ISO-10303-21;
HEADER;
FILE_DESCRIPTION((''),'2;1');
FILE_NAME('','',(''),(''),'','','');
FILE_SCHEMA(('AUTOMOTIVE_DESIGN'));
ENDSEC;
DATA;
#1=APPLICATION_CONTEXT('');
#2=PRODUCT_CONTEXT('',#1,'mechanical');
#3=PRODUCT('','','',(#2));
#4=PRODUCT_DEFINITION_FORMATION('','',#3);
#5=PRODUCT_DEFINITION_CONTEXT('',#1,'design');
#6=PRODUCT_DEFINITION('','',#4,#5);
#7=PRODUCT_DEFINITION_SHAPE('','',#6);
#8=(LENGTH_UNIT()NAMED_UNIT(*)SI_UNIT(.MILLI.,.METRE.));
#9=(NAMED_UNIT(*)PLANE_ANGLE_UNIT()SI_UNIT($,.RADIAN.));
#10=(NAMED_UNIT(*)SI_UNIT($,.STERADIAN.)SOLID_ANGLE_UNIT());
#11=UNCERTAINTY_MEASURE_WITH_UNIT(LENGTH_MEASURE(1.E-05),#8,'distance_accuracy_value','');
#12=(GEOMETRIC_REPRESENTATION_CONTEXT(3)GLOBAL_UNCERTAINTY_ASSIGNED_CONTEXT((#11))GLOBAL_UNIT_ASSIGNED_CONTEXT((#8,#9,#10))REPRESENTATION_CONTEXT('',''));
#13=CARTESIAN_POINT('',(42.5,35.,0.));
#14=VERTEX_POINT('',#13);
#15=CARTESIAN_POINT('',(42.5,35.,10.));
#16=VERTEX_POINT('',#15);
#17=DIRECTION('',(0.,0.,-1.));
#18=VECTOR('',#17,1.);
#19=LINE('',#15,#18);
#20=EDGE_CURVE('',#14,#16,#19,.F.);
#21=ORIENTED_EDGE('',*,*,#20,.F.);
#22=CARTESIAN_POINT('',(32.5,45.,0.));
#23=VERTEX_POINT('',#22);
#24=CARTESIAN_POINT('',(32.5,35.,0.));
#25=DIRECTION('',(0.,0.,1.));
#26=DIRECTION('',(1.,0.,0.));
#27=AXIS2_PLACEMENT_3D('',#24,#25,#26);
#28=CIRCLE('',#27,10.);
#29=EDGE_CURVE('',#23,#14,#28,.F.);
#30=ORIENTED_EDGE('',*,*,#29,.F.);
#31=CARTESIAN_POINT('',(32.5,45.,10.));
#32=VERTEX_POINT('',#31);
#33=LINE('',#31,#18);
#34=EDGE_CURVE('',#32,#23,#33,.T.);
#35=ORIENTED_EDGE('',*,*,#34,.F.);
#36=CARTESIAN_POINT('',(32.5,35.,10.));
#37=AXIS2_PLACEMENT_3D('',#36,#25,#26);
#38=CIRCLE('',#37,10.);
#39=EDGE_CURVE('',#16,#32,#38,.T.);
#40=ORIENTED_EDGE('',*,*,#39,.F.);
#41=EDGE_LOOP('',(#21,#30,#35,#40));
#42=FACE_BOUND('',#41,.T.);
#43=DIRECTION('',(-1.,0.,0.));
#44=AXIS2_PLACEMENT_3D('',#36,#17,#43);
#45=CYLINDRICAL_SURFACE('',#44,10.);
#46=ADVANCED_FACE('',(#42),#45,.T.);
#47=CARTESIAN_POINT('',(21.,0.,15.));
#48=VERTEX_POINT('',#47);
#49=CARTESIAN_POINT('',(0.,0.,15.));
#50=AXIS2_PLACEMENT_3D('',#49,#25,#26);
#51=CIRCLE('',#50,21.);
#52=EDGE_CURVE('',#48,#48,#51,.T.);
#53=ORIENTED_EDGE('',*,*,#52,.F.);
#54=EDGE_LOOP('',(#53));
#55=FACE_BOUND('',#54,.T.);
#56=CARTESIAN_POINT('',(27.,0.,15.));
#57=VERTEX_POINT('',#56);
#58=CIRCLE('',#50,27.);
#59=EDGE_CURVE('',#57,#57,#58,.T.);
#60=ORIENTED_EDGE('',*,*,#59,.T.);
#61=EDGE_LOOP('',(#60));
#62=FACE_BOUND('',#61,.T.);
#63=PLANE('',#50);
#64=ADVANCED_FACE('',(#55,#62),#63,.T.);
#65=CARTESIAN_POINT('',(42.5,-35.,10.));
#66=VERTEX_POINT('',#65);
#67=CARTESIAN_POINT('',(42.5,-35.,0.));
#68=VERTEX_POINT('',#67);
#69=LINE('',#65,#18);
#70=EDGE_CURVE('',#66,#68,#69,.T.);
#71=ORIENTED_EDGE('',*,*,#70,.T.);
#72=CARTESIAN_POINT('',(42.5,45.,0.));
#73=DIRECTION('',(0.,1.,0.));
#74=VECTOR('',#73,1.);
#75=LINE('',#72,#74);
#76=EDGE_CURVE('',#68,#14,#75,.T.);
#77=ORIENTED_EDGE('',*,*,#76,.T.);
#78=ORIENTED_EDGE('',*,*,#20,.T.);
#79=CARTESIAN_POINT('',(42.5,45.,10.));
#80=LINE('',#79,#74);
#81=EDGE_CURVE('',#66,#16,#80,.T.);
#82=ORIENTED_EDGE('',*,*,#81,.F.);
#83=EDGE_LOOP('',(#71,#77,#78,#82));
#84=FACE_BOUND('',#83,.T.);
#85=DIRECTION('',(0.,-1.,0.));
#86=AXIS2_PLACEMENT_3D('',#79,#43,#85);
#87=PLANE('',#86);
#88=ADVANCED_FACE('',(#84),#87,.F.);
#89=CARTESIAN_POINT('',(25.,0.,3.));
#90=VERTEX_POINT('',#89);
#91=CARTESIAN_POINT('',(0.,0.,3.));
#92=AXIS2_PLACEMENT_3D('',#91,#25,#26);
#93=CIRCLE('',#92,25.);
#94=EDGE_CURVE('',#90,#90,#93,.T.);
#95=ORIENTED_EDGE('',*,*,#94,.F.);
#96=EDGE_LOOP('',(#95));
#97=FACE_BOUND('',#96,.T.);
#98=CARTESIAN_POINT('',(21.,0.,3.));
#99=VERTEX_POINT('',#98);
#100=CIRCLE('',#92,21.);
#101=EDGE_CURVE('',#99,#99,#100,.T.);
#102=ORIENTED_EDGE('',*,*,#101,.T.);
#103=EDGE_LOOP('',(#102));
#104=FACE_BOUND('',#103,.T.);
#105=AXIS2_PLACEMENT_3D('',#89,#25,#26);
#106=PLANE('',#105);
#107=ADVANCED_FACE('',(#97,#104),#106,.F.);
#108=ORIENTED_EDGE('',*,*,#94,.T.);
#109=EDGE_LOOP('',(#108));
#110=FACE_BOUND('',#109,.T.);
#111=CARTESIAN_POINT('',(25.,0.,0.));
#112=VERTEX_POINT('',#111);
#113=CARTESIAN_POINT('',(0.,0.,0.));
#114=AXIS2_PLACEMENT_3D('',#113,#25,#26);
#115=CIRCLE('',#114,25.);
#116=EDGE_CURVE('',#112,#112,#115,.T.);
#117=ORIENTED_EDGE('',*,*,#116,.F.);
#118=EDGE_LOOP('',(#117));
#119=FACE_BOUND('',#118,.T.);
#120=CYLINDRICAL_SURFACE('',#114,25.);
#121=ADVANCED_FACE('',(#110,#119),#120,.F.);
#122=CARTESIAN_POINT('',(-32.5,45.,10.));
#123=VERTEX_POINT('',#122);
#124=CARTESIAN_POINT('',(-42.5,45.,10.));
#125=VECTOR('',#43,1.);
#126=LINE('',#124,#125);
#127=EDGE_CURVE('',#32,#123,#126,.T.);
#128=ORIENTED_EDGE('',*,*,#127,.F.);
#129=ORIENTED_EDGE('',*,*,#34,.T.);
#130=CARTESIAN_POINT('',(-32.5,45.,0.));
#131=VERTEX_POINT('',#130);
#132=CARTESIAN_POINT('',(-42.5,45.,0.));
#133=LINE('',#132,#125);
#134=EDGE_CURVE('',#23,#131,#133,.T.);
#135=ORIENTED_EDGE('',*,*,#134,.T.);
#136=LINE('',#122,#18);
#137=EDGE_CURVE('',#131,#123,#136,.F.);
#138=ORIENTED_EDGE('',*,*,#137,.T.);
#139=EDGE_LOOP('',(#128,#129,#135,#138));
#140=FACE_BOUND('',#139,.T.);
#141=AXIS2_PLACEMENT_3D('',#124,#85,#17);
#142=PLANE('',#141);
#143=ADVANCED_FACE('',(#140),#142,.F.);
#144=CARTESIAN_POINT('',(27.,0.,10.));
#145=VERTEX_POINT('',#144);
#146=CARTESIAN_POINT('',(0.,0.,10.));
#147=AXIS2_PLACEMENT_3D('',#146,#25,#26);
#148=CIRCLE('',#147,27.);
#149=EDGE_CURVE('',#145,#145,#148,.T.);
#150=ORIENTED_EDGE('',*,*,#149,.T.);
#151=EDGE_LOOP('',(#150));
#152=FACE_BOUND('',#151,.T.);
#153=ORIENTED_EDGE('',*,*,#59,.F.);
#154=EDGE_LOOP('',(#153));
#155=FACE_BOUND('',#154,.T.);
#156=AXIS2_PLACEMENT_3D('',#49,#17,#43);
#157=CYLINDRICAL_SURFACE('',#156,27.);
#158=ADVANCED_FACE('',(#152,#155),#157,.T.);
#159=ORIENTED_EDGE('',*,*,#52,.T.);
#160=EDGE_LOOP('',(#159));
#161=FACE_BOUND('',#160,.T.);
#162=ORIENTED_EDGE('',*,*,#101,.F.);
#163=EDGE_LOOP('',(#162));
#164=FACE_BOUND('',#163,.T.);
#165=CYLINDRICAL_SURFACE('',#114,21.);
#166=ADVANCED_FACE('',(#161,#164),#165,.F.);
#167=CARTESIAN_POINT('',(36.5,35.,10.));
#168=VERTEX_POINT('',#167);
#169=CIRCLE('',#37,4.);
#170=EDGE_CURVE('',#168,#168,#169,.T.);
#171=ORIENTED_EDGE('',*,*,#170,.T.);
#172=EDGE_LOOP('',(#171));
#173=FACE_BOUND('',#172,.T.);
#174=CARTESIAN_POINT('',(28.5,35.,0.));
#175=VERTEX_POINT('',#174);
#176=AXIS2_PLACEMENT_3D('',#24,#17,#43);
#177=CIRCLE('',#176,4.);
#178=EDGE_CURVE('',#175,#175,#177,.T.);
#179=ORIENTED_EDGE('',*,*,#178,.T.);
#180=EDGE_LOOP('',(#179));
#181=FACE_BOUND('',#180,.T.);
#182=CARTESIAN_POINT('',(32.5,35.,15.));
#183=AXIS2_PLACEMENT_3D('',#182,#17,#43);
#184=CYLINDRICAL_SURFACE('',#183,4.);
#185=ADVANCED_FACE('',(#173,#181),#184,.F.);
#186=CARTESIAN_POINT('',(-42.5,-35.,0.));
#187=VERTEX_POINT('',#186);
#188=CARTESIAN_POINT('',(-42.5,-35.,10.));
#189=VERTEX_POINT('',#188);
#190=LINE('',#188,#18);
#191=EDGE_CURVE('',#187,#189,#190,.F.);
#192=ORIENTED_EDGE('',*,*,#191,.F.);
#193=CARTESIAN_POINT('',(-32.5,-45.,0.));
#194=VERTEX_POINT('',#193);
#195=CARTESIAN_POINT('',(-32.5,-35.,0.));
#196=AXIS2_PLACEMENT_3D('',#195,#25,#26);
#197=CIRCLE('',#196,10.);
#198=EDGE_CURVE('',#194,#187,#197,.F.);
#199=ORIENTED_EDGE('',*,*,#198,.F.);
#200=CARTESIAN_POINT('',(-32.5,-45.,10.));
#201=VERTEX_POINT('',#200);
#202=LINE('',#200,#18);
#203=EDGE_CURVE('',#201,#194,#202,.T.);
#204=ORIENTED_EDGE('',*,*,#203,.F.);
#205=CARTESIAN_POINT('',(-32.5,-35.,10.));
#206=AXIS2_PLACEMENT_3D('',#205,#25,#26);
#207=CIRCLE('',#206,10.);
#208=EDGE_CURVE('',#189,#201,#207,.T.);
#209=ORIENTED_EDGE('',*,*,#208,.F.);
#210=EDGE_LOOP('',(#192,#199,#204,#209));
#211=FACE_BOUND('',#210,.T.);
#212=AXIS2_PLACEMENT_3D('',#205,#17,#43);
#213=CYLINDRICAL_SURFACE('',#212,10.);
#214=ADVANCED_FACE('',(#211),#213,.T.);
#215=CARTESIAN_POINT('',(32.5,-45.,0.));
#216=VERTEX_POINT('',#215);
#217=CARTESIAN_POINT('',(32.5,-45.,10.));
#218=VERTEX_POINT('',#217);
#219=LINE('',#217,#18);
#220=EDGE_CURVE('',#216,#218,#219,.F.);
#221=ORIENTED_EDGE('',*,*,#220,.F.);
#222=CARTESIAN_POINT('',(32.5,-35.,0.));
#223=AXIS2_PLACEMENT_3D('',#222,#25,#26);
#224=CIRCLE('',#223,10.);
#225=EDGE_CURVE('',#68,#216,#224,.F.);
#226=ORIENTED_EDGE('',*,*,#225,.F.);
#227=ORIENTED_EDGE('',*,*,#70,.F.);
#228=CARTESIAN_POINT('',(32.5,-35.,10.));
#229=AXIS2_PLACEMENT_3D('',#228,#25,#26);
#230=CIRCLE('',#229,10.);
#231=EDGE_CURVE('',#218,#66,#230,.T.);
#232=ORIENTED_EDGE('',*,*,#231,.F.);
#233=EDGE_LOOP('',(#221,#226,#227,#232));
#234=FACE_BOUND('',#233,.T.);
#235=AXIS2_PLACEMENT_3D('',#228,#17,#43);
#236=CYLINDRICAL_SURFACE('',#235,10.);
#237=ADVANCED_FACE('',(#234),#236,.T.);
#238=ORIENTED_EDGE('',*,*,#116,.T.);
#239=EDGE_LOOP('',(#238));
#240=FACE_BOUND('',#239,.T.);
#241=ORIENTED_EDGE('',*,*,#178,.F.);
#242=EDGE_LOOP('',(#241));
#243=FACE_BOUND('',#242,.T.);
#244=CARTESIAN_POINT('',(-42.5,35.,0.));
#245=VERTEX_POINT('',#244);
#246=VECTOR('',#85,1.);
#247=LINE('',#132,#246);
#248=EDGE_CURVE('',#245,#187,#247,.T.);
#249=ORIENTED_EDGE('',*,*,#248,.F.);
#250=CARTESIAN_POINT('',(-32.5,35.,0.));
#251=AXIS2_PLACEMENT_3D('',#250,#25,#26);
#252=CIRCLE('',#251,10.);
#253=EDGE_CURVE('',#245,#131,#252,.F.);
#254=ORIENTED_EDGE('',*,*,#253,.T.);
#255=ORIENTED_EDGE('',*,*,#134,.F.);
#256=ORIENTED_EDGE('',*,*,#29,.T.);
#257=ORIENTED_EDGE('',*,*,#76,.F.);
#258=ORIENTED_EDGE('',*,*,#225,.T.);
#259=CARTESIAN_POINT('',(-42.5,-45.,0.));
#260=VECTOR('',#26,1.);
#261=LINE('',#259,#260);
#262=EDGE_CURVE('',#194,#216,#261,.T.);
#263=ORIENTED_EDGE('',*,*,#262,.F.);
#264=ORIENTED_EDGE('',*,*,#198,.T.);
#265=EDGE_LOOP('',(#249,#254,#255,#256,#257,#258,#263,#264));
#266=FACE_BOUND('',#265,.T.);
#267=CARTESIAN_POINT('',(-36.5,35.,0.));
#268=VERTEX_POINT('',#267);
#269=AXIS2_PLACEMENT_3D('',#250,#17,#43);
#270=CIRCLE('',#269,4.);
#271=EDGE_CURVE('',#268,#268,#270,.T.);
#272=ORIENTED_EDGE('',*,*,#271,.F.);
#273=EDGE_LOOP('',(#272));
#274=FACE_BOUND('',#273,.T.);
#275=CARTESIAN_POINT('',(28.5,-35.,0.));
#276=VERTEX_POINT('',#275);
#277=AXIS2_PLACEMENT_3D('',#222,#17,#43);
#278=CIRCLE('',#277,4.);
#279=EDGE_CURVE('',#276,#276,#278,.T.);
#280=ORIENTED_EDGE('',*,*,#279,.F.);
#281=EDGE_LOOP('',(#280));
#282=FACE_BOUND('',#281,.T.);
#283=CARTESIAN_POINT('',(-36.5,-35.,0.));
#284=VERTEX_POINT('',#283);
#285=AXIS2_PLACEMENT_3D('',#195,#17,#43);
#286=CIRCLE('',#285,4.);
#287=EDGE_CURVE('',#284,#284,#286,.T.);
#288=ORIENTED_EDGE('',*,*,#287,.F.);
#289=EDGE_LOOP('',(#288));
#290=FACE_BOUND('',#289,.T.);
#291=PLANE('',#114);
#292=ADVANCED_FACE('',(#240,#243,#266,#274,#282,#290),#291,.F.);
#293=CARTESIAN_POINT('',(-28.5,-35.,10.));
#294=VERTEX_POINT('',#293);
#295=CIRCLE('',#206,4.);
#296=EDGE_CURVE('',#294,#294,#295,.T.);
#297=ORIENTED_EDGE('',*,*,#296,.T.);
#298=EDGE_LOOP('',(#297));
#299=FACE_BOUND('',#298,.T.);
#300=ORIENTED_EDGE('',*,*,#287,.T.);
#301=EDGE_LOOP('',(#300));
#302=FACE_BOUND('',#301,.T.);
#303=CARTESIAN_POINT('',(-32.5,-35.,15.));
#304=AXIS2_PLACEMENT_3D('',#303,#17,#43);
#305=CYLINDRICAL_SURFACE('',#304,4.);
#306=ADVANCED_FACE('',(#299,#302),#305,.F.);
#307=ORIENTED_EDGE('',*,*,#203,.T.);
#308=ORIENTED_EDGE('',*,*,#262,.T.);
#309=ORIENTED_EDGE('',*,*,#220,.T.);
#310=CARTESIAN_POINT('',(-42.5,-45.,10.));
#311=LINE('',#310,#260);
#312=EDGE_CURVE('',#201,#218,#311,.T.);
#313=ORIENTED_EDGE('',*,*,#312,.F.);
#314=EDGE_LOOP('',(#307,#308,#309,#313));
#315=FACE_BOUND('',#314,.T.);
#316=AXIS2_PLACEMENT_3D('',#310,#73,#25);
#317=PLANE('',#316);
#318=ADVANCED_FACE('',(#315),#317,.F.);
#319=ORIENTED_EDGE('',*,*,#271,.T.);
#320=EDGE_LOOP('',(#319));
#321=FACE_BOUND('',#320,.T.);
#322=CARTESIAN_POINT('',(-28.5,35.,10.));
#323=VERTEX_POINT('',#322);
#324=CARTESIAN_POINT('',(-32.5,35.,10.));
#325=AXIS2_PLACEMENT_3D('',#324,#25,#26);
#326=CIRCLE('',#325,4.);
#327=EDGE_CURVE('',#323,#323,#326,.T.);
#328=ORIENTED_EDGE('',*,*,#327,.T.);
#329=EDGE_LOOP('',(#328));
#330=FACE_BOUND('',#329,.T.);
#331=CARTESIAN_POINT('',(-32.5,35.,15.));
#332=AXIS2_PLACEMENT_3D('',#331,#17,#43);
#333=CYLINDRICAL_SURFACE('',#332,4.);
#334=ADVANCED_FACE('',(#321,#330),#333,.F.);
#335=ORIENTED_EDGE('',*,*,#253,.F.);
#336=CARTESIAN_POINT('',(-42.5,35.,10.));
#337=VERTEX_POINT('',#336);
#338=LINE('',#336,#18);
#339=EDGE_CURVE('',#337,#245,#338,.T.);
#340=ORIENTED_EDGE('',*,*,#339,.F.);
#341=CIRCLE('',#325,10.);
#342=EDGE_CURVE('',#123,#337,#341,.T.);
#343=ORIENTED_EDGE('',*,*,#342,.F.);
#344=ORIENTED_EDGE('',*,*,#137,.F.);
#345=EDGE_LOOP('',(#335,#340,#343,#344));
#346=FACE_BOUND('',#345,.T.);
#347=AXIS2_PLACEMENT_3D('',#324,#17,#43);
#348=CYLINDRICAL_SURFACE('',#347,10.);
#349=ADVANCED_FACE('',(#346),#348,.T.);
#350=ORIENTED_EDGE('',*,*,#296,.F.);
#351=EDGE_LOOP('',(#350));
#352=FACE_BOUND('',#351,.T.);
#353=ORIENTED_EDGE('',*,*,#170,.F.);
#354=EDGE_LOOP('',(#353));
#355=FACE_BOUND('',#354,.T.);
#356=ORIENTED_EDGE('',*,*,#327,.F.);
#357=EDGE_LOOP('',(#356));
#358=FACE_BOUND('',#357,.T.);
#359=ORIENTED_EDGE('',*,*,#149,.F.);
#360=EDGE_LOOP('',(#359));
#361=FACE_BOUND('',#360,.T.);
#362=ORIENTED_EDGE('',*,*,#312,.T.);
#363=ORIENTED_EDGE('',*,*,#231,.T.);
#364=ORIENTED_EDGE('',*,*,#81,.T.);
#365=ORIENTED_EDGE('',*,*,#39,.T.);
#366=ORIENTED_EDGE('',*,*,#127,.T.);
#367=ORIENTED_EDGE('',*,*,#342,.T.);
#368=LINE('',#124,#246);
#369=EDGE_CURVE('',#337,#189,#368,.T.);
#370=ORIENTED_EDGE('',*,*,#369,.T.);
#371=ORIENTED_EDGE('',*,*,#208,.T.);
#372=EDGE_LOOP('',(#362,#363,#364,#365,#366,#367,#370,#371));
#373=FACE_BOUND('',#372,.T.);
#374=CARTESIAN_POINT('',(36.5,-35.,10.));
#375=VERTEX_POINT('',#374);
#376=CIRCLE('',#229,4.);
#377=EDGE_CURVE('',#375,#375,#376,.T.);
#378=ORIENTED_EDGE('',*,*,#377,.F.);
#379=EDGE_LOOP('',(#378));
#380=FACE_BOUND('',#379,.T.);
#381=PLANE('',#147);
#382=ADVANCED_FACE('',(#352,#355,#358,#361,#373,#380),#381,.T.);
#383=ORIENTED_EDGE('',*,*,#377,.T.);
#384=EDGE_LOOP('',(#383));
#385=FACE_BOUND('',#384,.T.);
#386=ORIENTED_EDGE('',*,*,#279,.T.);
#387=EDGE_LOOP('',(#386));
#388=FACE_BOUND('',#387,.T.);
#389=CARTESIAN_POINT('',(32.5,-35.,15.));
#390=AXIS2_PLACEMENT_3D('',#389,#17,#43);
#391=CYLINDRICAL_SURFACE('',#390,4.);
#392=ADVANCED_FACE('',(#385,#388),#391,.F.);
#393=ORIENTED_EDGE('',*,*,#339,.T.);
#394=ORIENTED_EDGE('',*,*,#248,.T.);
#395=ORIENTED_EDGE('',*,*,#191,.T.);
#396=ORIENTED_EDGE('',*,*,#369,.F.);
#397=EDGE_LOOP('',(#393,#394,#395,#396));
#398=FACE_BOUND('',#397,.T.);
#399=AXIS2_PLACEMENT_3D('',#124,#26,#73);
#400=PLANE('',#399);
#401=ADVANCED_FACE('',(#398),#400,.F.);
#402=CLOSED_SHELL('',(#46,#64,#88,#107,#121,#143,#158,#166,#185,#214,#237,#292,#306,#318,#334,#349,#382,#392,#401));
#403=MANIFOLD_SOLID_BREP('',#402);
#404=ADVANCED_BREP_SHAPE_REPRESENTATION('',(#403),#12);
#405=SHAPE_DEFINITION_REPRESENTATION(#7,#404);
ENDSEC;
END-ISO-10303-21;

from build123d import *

# Parameters (mm, degrees)
SZKIC1_W                                             = 85
SZKIC1_H                                             = 90
DODANIE_WYCI_GNI_CIE1_DEPTH                          = 10
DODANIE_WYCI_GNI_CIE2_START                          = 5
SZKIC9_R                                             = 27
SZKIC9_R_2                                           = 21
DODANIE_WYCI_GNI_CIE2_DEPTH                          = 5
ZAOKR_GLENIE1_R                                      = 10
POG_BIENIE_STO_KOWE_POD_M6_WKR_T_USTALAJ_D           = 6.4
POG_BIENIE_STO_KOWE_POD_M6_WKR_T_USTALAJ_DEPTH       = 26
POG_BIENIE_STO_KOWE_POD_M6_WKR_T_USTALAJ_CSINK_D     = 13.44
POG_BIENIE_STO_KOWE_POD_M6_WKR_T_USTALAJ_CSINK_ANGLE = 90
POG_BIENIE_STO_KOWE_POD_M6_WKR_T_USTALAJ_TIP         = 1.922753981
SZKIC12_R                                            = 4
WYTNIJ_WYCI_GNI_CIE2_DEPTH                           = 64.688696014


with BuildPart() as part:
    # Szkic1 → Dodanie-wyciągnięcie1 (new body)
    with BuildSketch(Plane.XY):
        Rectangle(SZKIC1_W, SZKIC1_H)
    extrude(amount=DODANIE_WYCI_GNI_CIE1_DEPTH)

    # Szkic2 → Wycięcie-obrót1 (revolve, cut)
    with BuildSketch(Plane(origin=(0, 0, 0), x_dir=(1, 0, 0), z_dir=(0, 1, 0))):
        Polygon((0, 0), (25, 0), (25, -3), (21, -3), (21, -10), (0, -10), align=None)
    revolve(axis=Axis((0, 0, 0), (0, 0, -1)), mode=Mode.SUBTRACT)

    # Szkic9 → Dodanie-wyciągnięcie2 (add)
    with BuildSketch(Plane.XY.offset(10).offset(DODANIE_WYCI_GNI_CIE2_START)):
        Circle(SZKIC9_R)
        Circle(SZKIC9_R_2, mode=Mode.SUBTRACT)
    extrude(amount=-DODANIE_WYCI_GNI_CIE2_DEPTH)

    # Zaokrąglenie1
    zaokr_glenie1_edges = [part.edges().sort_by_distance(p)[0] for p in [
        (42.5, -45, 5),
        (-42.5, -45, 5),
        (-42.5, 45, 5),
        (42.5, 45, 5),
    ]]
    fillet(zaokr_glenie1_edges, radius=ZAOKR_GLENIE1_R)

    # Pogłębienie stożkowe pod M6 Wkręt ustalający1
    with Locations(Plane(origin=(267.5, 155, -16), x_dir=(1, 0, 0), z_dir=(0, 0, -1))):
        with Locations((-235, 190), (-235, 120), (-300, 120), (-300, 190)):
            CounterSinkHole(POG_BIENIE_STO_KOWE_POD_M6_WKR_T_USTALAJ_D / 2, POG_BIENIE_STO_KOWE_POD_M6_WKR_T_USTALAJ_CSINK_D / 2, depth=POG_BIENIE_STO_KOWE_POD_M6_WKR_T_USTALAJ_DEPTH, counter_sink_angle=POG_BIENIE_STO_KOWE_POD_M6_WKR_T_USTALAJ_CSINK_ANGLE)
            with Locations((0, 0, -(POG_BIENIE_STO_KOWE_POD_M6_WKR_T_USTALAJ_DEPTH + POG_BIENIE_STO_KOWE_POD_M6_WKR_T_USTALAJ_TIP / 2))):  # 118° drill point
                Cone(0, POG_BIENIE_STO_KOWE_POD_M6_WKR_T_USTALAJ_D / 2, POG_BIENIE_STO_KOWE_POD_M6_WKR_T_USTALAJ_TIP, mode=Mode.SUBTRACT)

    # Szkic12 → Wytnij-wyciągnięcie2 (cut, through all)
    with BuildSketch(Plane(origin=(0, 0, 0), x_dir=(-1, 0, 0), z_dir=(0, 0, -1))):
        with Locations((-32.5, 35)):
            Circle(SZKIC12_R)
        with Locations((32.5, 35)):
            Circle(SZKIC12_R)
        with Locations((32.5, -35)):
            Circle(SZKIC12_R)
        with Locations((-32.5, -35)):
            Circle(SZKIC12_R)
    extrude(amount=-WYTNIJ_WYCI_GNI_CIE2_DEPTH, mode=Mode.SUBTRACT)


solid = part.part
